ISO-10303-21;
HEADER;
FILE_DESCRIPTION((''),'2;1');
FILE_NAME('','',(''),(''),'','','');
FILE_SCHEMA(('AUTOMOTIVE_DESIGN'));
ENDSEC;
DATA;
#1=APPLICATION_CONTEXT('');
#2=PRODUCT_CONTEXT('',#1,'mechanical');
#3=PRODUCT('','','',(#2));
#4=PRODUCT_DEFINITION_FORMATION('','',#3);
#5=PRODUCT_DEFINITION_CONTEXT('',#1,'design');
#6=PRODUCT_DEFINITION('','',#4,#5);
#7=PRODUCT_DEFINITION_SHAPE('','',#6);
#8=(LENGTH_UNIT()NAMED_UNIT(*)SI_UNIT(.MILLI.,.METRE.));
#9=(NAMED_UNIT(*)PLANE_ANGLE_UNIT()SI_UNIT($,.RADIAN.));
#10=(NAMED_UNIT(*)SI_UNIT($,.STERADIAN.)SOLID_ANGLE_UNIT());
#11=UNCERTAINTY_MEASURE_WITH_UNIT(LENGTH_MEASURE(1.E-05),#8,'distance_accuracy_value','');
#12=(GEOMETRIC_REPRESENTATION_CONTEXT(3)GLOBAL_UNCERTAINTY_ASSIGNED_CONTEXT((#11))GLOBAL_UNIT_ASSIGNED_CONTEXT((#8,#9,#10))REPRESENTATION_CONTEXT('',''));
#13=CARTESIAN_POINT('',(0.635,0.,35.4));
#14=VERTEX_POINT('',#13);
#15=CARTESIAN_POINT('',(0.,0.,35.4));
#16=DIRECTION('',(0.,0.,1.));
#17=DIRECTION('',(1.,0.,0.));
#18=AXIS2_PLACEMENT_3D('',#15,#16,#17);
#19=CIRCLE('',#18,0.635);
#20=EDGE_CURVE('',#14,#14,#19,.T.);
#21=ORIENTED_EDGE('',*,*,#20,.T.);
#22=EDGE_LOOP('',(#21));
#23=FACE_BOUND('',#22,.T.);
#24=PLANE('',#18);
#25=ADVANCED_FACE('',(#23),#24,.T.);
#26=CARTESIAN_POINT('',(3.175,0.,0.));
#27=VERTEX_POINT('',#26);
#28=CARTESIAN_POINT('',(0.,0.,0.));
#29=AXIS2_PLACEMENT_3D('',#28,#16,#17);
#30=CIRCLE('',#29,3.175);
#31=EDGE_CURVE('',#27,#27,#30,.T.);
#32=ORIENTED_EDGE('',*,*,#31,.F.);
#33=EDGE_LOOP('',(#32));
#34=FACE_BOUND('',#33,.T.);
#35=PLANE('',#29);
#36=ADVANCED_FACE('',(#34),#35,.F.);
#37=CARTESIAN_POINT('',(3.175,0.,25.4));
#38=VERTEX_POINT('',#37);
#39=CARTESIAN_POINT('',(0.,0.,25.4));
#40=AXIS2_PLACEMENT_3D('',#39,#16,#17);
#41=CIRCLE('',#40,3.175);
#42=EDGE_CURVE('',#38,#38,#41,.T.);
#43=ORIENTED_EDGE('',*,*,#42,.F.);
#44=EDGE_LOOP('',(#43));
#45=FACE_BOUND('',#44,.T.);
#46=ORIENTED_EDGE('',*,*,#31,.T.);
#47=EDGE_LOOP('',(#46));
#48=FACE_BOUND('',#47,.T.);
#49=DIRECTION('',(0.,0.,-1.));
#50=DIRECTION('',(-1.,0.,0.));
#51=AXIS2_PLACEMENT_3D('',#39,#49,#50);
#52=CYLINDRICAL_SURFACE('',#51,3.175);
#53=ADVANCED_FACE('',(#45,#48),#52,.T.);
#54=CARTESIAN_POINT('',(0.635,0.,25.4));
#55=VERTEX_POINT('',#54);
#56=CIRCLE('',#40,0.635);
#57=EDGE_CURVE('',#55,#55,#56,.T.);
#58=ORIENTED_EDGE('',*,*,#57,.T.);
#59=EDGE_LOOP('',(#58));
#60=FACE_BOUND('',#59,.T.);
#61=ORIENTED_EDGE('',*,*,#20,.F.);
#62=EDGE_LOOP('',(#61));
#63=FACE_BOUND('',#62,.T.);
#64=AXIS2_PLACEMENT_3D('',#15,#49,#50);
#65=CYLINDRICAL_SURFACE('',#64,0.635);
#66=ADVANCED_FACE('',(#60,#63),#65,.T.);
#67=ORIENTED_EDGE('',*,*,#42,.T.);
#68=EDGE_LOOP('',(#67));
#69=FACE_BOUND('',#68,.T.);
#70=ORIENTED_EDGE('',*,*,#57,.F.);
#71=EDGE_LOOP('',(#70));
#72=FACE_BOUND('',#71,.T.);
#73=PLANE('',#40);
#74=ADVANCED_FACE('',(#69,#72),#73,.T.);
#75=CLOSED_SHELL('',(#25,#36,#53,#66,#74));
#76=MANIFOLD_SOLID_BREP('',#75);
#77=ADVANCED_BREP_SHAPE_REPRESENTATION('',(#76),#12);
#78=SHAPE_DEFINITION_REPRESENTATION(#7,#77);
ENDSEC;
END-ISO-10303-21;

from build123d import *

# Parameters (mm, degrees)
SKETCH1_R           = 3.175
BOSS_EXTRUDE1_DEPTH = 25.4
SKETCH2_R           = 0.635
BOSS_EXTRUDE2_DEPTH = 10


with BuildPart() as part:
    # Sketch1 → Boss-Extrude1 (new body)
    with BuildSketch(Plane.XY):
        Circle(SKETCH1_R)
    extrude(amount=BOSS_EXTRUDE1_DEPTH)

    # Sketch2 → Boss-Extrude2 (add)
    with BuildSketch(Plane.XY.offset(25.4)):
        Circle(SKETCH2_R)
    extrude(amount=BOSS_EXTRUDE2_DEPTH)


solid = part.part
